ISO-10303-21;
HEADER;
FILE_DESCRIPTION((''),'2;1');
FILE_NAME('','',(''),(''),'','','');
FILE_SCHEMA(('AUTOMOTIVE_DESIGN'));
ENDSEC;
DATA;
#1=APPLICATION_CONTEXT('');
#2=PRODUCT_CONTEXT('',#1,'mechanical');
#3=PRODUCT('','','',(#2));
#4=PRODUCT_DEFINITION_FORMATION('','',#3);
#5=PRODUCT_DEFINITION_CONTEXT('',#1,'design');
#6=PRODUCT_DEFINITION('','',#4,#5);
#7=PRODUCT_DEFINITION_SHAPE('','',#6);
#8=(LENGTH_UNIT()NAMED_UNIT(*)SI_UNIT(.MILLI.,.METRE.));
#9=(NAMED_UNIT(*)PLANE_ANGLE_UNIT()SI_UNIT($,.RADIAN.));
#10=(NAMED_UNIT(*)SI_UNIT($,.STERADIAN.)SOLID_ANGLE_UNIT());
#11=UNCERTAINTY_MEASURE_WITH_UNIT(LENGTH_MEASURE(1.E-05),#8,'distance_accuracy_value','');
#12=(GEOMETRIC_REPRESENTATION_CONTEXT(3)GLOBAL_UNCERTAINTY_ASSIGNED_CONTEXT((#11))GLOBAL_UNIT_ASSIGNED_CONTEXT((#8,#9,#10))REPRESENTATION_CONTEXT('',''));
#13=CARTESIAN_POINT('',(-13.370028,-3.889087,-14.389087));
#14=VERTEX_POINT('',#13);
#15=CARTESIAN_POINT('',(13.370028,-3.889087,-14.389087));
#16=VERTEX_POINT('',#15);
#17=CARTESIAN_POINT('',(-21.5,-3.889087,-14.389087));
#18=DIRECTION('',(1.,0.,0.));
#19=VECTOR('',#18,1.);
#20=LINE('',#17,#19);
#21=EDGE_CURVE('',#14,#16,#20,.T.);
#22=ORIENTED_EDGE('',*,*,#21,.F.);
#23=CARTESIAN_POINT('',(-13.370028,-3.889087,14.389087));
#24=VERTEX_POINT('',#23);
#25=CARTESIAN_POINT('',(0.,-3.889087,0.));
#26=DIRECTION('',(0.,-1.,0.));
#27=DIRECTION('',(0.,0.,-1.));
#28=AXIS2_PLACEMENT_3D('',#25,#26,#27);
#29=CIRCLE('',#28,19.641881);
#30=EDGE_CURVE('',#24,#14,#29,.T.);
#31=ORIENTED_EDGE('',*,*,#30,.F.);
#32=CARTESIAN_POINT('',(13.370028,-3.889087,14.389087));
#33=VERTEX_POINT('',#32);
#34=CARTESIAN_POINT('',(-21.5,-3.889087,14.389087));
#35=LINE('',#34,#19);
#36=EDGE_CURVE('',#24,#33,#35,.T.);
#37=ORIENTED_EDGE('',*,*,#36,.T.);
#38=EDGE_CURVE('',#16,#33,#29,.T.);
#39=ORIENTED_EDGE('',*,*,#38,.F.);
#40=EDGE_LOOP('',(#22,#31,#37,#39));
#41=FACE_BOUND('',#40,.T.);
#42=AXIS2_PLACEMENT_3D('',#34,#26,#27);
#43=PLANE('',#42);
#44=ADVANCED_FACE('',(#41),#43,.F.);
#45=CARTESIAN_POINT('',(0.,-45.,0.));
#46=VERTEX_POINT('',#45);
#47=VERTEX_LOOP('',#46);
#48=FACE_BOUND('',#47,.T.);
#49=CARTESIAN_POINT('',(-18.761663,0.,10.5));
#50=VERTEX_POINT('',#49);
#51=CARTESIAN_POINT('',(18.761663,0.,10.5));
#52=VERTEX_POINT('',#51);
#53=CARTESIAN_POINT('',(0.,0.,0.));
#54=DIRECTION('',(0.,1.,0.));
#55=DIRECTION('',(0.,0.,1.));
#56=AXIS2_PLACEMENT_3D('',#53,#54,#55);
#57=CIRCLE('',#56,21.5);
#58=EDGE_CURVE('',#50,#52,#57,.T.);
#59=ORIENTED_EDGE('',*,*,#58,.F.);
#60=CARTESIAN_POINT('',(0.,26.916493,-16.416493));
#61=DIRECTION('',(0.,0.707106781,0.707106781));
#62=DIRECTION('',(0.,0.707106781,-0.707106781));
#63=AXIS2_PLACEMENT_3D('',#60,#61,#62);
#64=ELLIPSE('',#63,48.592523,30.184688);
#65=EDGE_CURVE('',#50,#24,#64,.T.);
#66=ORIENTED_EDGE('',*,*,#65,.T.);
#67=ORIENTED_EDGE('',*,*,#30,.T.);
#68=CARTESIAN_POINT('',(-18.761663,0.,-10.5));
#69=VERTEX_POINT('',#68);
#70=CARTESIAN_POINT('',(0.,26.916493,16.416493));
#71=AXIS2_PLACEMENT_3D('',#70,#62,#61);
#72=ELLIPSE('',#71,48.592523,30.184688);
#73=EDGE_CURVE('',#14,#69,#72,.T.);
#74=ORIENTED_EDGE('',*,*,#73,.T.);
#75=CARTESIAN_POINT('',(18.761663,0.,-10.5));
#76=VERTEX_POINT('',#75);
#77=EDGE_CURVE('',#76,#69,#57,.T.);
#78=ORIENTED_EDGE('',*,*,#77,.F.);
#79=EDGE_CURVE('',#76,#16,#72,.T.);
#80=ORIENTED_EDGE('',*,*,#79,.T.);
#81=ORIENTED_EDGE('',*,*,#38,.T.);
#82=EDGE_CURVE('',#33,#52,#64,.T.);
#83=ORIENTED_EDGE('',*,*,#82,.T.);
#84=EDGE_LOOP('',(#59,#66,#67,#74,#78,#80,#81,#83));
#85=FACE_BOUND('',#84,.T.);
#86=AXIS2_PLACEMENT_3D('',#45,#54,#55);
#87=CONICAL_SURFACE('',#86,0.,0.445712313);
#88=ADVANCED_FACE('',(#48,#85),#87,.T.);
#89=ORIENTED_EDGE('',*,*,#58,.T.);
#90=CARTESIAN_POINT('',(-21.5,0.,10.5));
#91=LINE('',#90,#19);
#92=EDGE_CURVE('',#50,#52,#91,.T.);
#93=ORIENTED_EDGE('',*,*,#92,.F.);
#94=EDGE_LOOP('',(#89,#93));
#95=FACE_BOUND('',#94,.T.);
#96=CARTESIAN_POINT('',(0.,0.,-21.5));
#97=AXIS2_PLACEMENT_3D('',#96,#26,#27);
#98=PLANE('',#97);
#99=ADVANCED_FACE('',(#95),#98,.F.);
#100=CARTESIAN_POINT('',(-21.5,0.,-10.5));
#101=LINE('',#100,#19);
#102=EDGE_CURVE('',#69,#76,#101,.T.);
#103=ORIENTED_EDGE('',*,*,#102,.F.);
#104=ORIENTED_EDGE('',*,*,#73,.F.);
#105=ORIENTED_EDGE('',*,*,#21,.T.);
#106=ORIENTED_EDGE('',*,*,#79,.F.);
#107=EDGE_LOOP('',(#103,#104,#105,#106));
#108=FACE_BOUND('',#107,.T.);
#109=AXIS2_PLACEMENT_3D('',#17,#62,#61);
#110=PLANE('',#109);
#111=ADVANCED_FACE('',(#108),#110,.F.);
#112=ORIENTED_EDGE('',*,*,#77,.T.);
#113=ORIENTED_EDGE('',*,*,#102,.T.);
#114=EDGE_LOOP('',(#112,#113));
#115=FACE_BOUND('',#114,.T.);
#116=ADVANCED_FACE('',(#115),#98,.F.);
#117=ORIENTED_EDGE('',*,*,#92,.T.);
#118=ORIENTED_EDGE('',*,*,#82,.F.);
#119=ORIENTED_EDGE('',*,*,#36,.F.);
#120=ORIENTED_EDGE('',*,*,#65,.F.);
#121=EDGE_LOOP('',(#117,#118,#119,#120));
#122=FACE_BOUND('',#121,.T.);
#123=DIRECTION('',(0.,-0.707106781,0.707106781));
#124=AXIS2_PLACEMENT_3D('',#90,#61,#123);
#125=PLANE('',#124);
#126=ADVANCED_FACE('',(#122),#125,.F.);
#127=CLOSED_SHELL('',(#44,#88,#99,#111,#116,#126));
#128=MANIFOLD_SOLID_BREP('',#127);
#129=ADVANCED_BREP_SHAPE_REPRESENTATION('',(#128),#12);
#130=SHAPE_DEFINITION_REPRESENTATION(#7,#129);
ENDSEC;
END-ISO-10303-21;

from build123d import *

# Parameters (mm, degrees)
CUT_EXTRUDE1_DEPTH      = 55.309299388
CUT_EXTRUDE1_DEPTH_BACK = 55.309299388


with BuildPart() as part:
    # Sketch1 → Revolve1 (revolve)
    with BuildSketch(Plane(origin=(0, 0, 0), x_dir=(0, 0, -1), z_dir=(1, 0, 0)), mode=Mode.PRIVATE) as revolve1_sk:
        Polygon((0, 0), (0, -45), (21.5, 0), align=None)
    revolve(revolve1_sk.sketch.rotate(Axis((0, 0, 0), (0, -1, 0)), 180), axis=Axis((0, 0, 0), (0, -1, 0)))

    # Sketch2 → Cut-Extrude1 (cut, two sides: drawn at the far end of the back side and taken through both)
    with BuildSketch(Plane(origin=(0, 0, 0), x_dir=(0, 0, -1), z_dir=(1, 0, 0)).offset(-CUT_EXTRUDE1_DEPTH_BACK)):
        Polygon((0, 0), (10.5, 0), (14.389087297, -3.889087297), (-14.389087297, -3.889087297), (-10.5, 0), align=None)
    extrude(amount=CUT_EXTRUDE1_DEPTH + CUT_EXTRUDE1_DEPTH_BACK, mode=Mode.SUBTRACT)


solid = part.part
